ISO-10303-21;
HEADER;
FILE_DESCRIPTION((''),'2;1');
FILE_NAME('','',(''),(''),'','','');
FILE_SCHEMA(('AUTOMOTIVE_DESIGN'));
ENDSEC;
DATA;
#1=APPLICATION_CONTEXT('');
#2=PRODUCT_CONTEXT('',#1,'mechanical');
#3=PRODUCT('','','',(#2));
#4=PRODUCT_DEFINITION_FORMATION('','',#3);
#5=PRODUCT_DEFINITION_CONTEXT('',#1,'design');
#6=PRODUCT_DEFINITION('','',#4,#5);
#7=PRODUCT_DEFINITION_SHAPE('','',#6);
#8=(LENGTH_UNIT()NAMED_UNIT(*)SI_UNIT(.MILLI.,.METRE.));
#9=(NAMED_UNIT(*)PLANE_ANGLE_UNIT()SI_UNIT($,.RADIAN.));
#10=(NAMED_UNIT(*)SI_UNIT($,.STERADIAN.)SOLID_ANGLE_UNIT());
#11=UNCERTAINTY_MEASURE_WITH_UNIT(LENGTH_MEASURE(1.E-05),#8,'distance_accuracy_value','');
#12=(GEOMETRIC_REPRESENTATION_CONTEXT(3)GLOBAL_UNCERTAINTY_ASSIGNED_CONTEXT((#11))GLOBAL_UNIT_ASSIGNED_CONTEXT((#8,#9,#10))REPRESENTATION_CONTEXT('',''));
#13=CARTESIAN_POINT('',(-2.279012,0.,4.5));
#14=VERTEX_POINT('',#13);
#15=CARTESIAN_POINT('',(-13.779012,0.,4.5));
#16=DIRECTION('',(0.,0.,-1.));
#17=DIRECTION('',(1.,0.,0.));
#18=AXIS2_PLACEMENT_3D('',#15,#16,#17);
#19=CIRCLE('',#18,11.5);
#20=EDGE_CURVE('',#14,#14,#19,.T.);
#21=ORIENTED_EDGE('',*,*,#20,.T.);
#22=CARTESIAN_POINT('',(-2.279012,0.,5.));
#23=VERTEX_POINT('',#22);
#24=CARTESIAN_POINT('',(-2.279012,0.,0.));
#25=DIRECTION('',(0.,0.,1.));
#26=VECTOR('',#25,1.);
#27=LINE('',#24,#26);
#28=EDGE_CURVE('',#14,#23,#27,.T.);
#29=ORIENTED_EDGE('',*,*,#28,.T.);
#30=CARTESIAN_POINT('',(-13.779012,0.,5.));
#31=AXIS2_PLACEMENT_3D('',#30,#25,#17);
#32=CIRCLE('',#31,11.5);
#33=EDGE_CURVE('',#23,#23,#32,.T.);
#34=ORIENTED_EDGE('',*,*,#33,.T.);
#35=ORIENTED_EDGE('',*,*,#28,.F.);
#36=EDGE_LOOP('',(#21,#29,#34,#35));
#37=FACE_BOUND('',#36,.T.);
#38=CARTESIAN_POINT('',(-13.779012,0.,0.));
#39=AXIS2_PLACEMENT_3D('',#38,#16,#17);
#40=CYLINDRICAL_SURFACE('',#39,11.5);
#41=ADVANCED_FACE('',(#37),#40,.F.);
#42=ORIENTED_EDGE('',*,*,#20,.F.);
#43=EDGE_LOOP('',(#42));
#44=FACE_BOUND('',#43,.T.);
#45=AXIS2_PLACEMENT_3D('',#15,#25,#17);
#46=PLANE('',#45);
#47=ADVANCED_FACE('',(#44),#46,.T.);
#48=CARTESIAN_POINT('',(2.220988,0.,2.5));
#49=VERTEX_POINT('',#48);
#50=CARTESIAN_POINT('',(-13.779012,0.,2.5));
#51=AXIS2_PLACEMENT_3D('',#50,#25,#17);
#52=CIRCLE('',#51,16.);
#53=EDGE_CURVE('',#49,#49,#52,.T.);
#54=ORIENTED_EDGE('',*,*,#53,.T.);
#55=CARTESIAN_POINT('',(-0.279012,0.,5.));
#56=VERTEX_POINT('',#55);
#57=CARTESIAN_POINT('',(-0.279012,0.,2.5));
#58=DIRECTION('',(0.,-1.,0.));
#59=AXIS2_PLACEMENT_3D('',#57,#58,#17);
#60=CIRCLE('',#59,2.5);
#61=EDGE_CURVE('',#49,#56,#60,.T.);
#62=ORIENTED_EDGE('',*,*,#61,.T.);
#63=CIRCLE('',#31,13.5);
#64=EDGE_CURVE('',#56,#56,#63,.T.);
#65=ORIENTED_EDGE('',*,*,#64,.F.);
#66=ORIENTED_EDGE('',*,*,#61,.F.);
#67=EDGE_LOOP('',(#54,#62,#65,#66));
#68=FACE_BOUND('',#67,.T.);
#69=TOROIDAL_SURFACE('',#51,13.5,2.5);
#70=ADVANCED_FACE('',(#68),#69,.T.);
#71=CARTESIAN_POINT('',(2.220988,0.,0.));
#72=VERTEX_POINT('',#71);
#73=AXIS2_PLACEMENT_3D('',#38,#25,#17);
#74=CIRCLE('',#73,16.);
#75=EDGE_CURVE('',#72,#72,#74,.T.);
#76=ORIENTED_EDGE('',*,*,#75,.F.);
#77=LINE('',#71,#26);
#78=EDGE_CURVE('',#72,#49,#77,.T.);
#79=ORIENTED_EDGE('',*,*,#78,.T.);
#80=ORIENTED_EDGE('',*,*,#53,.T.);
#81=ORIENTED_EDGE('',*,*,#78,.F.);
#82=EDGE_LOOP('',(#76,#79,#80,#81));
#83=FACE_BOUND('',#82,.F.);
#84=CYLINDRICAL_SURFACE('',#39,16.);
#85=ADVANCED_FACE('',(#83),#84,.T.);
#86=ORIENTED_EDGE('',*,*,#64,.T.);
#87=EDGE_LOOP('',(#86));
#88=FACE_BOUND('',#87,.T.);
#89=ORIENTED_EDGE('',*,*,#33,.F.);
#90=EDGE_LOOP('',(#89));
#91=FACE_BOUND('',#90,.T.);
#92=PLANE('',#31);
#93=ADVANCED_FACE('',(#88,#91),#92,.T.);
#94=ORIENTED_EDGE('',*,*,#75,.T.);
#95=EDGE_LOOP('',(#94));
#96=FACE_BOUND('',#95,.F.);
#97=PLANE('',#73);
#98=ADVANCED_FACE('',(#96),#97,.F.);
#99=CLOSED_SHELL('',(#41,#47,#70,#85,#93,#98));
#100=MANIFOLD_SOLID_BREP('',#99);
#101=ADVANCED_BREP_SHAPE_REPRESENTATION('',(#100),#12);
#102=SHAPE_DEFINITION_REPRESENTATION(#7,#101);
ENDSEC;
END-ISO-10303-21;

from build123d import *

# Parameters (mm, degrees)
F0_R     = 16
F1_DEPTH = 5
F2_T     = -4.5
F3_R     = 2.5


with BuildPart() as f1:
    # F0 (on Top) → F1 (new body)
    with BuildSketch(Plane.XY):
        with Locations((-13.779012, 0)):
            Circle(F0_R)
    extrude(amount=F1_DEPTH)

    # F2
    f2_openings = [f1.faces().sort_by_distance(p)[0] for p in [
        (-13.779012, 0, 5),
    ]]
    offset(amount=F2_T, openings=f2_openings)

    # F3
    f3_edges = [f1.edges().sort_by_distance(p)[0] for p in [
        (-29.779012, 0, 5),
    ]]
    fillet(f3_edges, radius=F3_R)


solid = f1.part
